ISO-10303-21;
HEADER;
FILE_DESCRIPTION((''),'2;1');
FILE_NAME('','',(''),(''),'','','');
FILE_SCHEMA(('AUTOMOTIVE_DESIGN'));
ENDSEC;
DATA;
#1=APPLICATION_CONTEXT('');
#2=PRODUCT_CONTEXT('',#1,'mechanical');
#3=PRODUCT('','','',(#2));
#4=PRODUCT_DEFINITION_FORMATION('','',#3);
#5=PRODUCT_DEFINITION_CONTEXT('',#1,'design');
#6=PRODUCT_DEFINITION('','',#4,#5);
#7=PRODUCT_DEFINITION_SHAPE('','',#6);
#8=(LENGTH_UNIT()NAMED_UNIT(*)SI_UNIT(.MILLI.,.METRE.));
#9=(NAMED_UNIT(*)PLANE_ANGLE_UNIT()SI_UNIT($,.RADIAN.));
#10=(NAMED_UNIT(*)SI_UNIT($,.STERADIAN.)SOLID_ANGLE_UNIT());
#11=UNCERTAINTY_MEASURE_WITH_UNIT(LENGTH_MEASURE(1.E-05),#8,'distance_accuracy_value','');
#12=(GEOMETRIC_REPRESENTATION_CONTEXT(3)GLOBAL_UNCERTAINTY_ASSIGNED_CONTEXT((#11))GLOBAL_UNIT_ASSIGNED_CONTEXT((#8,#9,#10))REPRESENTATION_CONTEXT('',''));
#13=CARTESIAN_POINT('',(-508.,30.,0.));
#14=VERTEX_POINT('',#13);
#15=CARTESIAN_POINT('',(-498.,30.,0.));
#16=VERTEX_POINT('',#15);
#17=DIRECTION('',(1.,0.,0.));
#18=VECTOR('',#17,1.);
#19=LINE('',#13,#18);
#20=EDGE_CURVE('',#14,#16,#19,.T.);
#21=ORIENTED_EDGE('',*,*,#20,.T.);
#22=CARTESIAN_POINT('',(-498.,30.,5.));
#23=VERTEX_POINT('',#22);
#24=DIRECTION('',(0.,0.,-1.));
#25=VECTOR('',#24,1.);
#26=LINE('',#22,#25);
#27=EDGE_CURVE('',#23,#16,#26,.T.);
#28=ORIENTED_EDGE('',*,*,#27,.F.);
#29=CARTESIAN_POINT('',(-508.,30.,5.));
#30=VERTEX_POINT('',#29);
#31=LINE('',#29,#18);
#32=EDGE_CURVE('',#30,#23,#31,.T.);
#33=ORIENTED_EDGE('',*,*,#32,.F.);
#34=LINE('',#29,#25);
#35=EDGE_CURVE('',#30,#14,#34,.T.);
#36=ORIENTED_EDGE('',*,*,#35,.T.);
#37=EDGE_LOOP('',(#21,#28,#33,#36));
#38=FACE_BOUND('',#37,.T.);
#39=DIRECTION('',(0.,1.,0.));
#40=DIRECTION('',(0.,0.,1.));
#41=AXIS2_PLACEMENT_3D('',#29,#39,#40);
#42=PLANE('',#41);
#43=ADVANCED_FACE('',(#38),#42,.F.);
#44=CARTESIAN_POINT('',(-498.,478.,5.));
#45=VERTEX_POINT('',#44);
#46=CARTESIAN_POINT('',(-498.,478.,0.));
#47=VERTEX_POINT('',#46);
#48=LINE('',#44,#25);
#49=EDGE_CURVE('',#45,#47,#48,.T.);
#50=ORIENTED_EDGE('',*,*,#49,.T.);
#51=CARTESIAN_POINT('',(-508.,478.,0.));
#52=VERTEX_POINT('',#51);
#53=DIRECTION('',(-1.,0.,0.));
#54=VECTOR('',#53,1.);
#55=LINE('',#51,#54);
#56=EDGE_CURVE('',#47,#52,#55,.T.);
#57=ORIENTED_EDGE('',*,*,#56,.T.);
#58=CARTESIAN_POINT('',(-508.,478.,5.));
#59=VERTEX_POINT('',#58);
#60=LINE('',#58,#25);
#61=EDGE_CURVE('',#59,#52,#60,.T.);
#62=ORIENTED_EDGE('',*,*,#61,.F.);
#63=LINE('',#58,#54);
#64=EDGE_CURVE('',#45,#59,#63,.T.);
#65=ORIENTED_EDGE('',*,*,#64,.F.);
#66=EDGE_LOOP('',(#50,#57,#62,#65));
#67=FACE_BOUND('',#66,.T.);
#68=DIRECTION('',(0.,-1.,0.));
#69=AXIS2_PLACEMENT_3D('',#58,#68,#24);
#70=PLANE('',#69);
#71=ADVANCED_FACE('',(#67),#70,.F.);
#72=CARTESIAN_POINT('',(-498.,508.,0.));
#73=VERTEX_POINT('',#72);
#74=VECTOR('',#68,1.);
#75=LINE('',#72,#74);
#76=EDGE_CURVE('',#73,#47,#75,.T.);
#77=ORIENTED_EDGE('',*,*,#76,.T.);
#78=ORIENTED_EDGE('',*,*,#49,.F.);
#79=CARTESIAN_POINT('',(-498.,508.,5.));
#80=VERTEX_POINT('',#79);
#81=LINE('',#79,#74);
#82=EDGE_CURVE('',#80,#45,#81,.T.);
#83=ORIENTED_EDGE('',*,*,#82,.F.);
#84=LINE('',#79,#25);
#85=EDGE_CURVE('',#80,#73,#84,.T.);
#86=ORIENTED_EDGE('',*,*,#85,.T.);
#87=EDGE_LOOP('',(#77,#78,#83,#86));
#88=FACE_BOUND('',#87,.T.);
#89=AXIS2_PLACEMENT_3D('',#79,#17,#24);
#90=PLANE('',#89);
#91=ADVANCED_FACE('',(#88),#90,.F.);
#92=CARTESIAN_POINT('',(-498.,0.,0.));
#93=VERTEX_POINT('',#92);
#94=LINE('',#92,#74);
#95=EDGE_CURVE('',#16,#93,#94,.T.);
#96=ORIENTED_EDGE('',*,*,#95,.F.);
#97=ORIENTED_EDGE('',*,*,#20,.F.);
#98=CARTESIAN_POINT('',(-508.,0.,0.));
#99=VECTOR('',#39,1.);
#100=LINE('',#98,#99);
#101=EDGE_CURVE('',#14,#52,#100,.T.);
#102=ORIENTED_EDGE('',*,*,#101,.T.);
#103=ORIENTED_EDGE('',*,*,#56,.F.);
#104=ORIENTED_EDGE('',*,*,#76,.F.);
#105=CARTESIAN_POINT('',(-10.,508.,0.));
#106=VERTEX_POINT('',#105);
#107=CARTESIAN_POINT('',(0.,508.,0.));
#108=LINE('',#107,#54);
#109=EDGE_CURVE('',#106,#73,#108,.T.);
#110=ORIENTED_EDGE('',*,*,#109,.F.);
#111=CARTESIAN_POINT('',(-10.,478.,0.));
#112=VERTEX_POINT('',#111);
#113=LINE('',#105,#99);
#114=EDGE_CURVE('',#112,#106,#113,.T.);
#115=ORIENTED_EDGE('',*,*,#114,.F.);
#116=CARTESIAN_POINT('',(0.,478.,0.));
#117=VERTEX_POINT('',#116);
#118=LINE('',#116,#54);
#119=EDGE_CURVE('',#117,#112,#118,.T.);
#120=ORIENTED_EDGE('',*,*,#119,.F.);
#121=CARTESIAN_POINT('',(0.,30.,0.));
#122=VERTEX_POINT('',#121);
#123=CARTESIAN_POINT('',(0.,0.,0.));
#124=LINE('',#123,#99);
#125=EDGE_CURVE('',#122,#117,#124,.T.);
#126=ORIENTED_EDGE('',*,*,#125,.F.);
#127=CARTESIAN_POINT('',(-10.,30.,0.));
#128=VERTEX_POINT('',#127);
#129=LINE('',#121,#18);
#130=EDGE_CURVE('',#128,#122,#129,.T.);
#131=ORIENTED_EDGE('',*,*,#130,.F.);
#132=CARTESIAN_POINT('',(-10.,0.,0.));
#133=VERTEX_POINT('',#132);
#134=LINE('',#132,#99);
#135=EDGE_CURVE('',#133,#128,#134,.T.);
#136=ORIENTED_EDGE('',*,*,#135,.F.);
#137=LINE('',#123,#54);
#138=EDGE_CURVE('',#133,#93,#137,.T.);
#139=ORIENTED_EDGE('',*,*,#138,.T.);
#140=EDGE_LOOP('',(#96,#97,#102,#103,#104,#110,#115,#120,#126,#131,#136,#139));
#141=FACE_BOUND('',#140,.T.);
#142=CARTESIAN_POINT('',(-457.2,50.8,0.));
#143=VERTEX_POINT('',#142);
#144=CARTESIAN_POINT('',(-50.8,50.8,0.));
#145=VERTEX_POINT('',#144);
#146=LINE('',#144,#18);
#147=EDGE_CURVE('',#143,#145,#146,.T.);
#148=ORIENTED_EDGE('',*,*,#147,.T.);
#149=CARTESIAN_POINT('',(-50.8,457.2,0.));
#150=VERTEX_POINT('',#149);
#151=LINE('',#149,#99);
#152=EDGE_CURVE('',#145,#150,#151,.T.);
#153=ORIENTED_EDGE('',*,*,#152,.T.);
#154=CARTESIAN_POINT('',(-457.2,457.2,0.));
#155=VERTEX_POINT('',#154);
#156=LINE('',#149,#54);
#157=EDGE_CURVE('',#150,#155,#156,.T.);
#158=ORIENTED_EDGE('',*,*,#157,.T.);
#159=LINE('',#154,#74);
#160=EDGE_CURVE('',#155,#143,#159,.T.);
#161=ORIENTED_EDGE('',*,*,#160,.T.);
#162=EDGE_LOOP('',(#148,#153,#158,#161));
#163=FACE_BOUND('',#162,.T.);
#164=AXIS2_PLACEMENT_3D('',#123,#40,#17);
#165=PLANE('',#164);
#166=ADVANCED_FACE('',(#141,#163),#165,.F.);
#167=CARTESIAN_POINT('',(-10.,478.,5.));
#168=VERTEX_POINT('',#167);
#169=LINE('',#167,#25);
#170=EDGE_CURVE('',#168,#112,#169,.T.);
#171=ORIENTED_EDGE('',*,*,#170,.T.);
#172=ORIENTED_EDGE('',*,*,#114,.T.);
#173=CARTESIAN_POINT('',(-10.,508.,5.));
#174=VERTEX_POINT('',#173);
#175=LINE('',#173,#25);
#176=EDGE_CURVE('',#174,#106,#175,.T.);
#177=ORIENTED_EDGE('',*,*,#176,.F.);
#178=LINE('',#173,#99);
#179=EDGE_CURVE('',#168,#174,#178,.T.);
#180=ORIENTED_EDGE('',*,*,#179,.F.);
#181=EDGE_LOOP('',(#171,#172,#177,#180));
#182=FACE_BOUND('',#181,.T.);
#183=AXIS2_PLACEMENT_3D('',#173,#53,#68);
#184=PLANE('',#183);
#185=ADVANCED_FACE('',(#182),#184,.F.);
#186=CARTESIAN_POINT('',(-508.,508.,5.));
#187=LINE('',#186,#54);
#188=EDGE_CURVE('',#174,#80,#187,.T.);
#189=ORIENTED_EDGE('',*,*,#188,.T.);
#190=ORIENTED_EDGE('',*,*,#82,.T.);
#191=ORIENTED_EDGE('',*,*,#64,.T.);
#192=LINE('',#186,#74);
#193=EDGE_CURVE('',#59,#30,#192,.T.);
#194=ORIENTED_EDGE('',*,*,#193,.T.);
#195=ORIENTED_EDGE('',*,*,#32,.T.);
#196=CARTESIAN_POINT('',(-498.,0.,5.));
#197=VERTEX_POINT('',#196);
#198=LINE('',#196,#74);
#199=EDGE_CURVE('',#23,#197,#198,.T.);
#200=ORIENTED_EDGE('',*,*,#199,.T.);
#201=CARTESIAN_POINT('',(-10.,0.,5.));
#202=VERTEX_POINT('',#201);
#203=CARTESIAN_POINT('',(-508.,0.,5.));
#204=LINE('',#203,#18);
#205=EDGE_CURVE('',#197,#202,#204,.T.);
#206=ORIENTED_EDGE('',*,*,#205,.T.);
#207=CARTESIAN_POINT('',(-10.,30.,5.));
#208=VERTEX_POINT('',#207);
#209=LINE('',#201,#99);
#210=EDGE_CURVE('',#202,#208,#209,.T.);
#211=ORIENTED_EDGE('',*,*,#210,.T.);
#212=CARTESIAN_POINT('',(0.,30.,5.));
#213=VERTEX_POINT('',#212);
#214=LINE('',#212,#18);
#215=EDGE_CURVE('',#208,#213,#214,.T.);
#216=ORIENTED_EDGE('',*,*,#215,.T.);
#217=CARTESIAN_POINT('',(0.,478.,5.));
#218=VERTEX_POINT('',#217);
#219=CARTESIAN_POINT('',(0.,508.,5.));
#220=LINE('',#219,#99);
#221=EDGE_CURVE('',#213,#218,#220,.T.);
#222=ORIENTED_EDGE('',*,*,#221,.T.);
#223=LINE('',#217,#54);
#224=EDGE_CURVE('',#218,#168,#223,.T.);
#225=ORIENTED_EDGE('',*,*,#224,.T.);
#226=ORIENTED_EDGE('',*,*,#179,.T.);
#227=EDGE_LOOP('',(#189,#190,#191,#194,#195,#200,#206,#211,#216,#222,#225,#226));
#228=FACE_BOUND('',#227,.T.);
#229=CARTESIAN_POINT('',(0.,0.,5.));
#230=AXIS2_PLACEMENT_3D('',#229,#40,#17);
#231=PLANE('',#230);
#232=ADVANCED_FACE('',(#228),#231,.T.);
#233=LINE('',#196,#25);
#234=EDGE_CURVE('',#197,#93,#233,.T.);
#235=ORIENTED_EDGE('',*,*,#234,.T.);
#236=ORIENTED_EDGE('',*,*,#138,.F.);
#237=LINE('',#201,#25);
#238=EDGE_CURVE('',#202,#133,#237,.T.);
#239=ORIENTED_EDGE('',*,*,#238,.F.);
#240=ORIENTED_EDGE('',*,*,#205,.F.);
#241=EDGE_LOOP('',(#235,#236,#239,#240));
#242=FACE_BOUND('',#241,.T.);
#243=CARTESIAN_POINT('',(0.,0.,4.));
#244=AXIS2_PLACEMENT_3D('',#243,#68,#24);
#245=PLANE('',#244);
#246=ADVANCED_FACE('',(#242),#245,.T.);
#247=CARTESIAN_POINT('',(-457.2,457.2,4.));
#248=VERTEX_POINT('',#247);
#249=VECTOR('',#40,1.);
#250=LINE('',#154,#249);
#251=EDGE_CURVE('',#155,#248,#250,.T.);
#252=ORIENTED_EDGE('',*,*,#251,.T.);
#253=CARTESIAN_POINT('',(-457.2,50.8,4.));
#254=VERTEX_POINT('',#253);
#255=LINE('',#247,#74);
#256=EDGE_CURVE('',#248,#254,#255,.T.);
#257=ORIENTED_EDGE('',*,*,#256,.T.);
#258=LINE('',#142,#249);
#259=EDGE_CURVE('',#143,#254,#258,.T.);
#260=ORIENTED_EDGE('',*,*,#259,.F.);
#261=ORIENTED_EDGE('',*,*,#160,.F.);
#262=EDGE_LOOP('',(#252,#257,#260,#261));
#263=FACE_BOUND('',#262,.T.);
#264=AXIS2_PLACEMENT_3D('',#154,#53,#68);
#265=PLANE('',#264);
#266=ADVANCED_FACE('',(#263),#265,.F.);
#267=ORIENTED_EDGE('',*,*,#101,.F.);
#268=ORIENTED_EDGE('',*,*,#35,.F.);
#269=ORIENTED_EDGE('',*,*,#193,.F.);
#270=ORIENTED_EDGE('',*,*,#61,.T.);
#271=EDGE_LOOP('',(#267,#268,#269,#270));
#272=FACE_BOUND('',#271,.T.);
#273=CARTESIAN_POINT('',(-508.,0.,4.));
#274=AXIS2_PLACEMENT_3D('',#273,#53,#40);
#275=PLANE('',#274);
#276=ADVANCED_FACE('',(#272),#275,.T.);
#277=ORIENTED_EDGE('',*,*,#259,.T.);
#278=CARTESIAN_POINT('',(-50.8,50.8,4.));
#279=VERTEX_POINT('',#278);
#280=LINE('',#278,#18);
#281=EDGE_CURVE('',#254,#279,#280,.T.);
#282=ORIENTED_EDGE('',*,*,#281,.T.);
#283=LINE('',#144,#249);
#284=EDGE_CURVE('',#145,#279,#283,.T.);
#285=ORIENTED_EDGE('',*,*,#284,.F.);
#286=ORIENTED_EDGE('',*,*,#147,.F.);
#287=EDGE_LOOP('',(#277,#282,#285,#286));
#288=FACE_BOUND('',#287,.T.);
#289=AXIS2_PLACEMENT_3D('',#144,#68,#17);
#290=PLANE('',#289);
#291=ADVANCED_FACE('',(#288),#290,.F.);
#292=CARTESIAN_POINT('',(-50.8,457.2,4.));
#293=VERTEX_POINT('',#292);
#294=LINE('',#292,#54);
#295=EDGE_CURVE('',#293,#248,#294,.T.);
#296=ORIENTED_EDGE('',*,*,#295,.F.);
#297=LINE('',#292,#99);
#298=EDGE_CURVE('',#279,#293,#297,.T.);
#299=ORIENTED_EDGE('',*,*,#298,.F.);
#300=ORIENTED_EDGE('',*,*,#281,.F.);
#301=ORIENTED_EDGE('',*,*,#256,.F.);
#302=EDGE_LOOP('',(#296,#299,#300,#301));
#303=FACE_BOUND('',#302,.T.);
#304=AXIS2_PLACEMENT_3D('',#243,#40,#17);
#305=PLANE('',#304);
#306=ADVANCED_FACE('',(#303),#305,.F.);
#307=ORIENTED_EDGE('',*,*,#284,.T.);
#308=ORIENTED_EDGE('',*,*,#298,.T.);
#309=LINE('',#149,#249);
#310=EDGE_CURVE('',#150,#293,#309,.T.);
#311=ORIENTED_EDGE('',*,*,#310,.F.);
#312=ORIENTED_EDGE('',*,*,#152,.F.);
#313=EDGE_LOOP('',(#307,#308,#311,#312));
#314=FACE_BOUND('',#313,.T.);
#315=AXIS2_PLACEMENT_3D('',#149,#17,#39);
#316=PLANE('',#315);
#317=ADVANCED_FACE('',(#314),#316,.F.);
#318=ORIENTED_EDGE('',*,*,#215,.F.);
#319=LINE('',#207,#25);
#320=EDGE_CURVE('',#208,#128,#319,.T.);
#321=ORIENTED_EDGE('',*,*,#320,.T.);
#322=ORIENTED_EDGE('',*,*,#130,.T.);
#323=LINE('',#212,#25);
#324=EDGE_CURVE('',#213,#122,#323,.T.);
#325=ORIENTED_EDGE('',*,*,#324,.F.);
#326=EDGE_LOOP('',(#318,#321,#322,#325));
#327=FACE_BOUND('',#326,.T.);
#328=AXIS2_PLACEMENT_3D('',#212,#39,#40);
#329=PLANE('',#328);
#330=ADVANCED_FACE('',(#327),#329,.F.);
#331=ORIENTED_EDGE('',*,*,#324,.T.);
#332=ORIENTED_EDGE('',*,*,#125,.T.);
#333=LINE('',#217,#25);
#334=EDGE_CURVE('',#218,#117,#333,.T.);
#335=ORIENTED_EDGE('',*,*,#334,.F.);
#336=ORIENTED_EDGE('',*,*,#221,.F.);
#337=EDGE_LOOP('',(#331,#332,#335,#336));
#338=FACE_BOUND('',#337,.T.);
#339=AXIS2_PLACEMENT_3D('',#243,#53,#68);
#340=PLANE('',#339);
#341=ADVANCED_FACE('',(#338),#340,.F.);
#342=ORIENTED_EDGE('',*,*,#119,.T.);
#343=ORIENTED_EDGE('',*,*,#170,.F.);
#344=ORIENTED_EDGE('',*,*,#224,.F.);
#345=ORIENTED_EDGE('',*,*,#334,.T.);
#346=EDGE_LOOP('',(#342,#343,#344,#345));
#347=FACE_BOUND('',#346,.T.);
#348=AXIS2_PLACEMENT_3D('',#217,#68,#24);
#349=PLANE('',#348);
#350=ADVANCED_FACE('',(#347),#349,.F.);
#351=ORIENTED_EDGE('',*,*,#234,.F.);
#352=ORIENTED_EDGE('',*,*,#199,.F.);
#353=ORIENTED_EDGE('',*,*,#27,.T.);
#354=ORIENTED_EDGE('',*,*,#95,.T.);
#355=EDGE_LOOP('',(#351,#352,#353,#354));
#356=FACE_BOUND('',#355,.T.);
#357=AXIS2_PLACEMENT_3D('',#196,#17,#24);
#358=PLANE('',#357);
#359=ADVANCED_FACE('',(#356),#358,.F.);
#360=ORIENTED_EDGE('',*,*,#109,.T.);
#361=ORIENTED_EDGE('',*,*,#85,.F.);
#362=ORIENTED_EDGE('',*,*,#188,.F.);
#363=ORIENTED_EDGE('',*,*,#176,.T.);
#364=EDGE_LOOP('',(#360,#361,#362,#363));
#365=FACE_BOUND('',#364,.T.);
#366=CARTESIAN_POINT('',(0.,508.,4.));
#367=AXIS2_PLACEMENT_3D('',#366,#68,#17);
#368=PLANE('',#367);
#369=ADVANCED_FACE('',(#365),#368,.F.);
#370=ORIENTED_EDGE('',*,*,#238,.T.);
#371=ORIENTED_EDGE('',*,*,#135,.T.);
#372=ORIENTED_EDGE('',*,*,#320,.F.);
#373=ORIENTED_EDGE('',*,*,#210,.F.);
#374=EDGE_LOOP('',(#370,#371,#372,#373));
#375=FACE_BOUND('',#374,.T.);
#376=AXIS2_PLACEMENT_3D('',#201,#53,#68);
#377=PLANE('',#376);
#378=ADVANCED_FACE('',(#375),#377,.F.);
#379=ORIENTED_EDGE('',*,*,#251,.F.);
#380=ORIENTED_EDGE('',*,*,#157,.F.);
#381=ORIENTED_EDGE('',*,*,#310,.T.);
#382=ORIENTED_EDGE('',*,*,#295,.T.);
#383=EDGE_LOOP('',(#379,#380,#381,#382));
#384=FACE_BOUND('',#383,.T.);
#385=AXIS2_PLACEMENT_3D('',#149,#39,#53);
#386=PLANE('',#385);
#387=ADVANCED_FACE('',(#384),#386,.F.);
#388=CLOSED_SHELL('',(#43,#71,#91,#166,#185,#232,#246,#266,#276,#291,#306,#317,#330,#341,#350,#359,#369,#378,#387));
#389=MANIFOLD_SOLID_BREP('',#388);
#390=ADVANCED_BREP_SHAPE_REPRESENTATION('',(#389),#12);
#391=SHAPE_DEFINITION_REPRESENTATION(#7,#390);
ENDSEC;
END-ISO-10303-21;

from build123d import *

# Parameters (mm, degrees)
SKETCH1_W           = 508
SKETCH1_H           = 508
BOSS_EXTRUDE1_DEPTH = 4
SKETCH3_W           = 406.4
SKETCH3_H           = 406.4
CUT_EXTRUDE1_DEPTH  = 4
SKETCH4_W           = 508
SKETCH4_H           = 508
BOSS_EXTRUDE2_DEPTH = 1
SKETCH5_W           = 10
SKETCH5_H           = 30
CUT_EXTRUDE2_DEPTH  = 5


with BuildPart() as part:
    # Sketch1 → Boss-Extrude1 (new body)
    with BuildSketch(Plane.XY):
        with Locations((-254, 254)):
            Rectangle(SKETCH1_W, SKETCH1_H)
    extrude(amount=BOSS_EXTRUDE1_DEPTH)

    # Sketch3 → Cut-Extrude1 (cut)
    with BuildSketch(Plane.XY.offset(4)):
        with Locations((-254, 254)):
            Rectangle(SKETCH3_W, SKETCH3_H)
    extrude(amount=-CUT_EXTRUDE1_DEPTH, mode=Mode.SUBTRACT)

    # Sketch4 → Boss-Extrude2 (add)
    with BuildSketch(Plane.XY.offset(4)):
        with Locations((-254, 254)):
            Rectangle(SKETCH4_W, SKETCH4_H)
    extrude(amount=BOSS_EXTRUDE2_DEPTH)

    # Sketch5 → Cut-Extrude2 (cut)
    with BuildSketch(Plane(origin=(0, 0, 0), x_dir=(-1, 0, 0), z_dir=(0, 0, -1))):
        with Locations((5, 493)):
            Rectangle(SKETCH5_W, SKETCH5_H)
        with Locations((503, 493)):
            Rectangle(SKETCH5_W, SKETCH5_H)
        with Locations((503, 15)):
            Rectangle(SKETCH5_W, SKETCH5_H)
        with Locations((5, 15)):
            Rectangle(SKETCH5_W, SKETCH5_H)
    extrude(amount=-CUT_EXTRUDE2_DEPTH, mode=Mode.SUBTRACT)


solid = part.part
